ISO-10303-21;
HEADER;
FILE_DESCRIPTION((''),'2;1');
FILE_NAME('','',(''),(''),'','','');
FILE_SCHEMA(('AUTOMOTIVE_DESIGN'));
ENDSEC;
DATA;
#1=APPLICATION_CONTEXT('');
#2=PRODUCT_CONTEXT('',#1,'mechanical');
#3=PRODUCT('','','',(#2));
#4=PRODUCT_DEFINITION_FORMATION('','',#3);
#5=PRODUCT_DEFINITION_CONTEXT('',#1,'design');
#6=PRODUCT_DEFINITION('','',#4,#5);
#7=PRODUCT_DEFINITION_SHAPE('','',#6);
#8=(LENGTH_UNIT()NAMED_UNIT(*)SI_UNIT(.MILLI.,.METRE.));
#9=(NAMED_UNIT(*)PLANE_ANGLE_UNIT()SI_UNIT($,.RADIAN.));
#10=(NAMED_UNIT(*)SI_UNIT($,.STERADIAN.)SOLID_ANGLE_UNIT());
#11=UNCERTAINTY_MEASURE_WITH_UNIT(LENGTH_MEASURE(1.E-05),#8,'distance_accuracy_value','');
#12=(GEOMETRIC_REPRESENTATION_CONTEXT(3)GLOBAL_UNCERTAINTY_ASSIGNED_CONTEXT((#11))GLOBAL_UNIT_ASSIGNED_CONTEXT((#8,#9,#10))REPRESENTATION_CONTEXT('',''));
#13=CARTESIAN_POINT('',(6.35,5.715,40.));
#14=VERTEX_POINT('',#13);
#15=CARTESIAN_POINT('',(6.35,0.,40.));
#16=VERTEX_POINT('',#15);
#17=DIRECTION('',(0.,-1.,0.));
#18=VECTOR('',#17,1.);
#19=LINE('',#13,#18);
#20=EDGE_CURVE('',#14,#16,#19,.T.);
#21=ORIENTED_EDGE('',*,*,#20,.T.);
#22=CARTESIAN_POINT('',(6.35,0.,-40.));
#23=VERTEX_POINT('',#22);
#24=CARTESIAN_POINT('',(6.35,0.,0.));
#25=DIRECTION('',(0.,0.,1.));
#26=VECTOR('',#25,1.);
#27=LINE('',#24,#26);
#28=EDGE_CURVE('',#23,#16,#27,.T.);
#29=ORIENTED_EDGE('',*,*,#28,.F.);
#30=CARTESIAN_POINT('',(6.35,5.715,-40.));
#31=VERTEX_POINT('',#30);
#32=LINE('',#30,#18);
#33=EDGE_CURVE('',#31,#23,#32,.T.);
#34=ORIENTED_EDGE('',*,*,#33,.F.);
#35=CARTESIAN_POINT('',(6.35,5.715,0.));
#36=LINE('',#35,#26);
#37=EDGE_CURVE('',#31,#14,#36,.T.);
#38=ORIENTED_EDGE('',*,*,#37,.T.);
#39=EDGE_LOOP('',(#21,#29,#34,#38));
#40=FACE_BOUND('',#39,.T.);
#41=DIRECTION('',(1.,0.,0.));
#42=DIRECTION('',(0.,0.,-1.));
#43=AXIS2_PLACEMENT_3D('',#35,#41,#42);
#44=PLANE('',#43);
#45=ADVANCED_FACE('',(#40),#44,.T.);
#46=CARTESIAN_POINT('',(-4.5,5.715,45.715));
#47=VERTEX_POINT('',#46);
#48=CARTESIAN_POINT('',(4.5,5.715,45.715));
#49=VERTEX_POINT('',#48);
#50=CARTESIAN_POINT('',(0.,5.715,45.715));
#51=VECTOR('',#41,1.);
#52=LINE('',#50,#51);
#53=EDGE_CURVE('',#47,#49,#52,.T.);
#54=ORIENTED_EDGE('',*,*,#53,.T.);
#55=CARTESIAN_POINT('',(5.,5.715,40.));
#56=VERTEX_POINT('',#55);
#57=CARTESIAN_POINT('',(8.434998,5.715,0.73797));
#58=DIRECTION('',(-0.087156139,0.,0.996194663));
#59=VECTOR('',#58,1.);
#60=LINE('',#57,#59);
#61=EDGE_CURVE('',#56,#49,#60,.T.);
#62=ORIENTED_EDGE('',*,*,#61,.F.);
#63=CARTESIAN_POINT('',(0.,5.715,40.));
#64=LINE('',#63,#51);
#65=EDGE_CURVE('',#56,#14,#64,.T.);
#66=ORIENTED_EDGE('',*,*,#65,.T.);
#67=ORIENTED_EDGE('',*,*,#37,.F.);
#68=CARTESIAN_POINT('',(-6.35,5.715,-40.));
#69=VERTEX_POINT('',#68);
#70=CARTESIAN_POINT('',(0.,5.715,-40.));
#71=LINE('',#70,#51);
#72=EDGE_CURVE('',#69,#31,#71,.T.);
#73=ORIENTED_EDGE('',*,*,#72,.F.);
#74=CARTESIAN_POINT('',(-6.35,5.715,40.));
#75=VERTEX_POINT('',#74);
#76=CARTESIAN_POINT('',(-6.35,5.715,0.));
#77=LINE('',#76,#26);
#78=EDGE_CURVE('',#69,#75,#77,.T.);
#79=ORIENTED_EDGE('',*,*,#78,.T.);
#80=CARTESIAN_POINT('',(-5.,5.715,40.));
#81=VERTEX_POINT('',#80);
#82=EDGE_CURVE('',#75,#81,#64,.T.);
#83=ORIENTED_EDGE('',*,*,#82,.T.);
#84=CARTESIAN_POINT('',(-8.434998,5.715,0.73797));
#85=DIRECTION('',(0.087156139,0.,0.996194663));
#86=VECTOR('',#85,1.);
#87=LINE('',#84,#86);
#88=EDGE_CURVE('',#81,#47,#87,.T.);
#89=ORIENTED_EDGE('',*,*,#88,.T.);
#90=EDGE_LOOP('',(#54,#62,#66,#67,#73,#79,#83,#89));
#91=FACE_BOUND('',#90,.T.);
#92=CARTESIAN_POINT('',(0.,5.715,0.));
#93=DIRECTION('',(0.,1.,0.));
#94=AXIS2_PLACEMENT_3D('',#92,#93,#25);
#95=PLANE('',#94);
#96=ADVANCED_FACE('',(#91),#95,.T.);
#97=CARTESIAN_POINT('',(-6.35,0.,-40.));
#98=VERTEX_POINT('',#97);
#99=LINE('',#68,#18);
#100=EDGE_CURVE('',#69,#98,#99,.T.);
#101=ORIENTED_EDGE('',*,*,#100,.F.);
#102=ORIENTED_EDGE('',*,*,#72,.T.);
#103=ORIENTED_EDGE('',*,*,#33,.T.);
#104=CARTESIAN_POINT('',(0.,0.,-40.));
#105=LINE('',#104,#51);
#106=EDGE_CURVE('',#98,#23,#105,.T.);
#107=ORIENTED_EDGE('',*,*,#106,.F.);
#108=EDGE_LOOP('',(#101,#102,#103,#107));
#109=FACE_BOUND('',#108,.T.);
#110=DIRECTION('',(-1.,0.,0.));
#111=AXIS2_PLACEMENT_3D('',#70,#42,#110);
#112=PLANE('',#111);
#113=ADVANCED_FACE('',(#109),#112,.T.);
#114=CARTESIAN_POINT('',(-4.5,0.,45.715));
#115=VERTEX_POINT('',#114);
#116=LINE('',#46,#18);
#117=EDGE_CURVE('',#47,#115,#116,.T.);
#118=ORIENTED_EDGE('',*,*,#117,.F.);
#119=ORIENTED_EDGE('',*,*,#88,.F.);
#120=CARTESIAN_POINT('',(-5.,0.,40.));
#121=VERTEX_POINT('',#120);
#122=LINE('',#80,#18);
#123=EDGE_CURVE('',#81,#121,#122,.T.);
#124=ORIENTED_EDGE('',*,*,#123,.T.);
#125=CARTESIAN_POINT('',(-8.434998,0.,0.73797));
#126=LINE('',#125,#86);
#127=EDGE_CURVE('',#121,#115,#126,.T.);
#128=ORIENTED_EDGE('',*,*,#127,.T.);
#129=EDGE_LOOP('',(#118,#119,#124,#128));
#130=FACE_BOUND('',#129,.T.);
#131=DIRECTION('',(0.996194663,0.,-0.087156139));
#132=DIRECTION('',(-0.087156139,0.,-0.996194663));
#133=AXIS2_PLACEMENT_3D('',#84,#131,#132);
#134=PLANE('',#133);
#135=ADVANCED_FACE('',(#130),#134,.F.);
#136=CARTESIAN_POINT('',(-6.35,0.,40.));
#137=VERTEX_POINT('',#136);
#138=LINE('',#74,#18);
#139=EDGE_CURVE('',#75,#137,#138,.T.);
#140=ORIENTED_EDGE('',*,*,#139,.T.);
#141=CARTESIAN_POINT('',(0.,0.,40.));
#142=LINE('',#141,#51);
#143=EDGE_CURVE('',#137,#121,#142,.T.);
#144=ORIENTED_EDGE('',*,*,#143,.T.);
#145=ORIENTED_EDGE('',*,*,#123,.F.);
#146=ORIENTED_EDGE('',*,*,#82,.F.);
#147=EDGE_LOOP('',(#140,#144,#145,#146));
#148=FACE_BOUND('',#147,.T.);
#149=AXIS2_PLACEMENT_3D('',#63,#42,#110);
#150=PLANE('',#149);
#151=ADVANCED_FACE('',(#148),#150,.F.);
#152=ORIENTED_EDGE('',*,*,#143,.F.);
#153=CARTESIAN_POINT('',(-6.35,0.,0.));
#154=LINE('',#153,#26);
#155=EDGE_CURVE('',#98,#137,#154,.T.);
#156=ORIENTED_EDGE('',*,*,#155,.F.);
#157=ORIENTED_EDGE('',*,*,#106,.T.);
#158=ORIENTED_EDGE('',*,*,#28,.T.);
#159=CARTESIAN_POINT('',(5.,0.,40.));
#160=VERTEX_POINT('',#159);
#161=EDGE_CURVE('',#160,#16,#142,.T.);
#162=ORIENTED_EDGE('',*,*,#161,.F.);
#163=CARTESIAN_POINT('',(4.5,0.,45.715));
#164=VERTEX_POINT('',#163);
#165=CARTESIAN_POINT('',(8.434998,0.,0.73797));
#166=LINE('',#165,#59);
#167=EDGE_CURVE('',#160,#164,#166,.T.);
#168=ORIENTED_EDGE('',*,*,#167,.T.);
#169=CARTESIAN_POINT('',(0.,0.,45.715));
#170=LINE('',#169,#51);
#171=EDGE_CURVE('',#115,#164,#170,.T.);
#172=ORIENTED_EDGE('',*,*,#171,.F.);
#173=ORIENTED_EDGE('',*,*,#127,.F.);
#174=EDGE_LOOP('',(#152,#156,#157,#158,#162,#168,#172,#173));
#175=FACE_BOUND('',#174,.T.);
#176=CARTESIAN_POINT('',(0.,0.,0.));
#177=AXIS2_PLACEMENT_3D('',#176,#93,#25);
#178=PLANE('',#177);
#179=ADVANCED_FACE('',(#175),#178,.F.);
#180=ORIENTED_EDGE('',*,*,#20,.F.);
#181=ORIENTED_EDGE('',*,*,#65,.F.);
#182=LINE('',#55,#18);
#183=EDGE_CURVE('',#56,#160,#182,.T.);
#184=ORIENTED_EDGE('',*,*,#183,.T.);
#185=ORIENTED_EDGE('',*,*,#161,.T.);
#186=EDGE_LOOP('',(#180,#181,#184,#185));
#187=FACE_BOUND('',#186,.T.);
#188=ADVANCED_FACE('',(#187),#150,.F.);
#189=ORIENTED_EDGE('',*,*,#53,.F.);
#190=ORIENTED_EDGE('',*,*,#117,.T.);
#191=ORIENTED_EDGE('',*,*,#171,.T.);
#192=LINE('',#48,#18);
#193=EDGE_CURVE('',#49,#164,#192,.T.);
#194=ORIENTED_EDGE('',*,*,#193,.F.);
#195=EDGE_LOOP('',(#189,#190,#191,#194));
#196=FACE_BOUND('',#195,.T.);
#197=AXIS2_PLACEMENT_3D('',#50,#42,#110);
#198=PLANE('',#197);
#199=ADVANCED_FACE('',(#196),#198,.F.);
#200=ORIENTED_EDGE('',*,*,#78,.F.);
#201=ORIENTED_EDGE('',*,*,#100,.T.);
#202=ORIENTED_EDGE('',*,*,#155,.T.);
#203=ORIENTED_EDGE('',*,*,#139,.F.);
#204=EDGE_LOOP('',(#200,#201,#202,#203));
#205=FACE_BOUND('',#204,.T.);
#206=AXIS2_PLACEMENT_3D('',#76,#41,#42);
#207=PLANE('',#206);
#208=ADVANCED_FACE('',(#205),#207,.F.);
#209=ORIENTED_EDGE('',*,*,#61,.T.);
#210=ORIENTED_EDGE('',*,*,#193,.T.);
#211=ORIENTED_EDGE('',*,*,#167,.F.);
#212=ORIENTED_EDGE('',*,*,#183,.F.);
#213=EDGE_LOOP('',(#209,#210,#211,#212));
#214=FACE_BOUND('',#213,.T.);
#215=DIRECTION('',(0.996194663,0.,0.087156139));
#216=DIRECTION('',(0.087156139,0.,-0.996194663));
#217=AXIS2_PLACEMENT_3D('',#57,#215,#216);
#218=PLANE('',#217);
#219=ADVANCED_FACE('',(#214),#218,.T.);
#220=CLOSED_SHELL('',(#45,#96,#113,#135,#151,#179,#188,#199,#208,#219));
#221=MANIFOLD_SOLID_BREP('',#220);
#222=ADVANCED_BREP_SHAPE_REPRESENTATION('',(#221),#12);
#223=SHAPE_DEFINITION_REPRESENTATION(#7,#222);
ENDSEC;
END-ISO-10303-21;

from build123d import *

# Parameters (mm, degrees)
SKETCH1_W           = 12.7
SKETCH1_H           = 80
BOSS_EXTRUDE1_DEPTH = 5.715


with BuildPart() as part:
    # Sketch1 → Boss-Extrude1 (new body)
    with BuildSketch(Plane(origin=(0, 0, 0), x_dir=(1, 0, 0), z_dir=(0, 1, 0))):
        Rectangle(SKETCH1_W, SKETCH1_H)
        Polygon((5, -40), (-5, -40), (-4.5, -45.715), (4.5, -45.715), align=None)
    extrude(amount=BOSS_EXTRUDE1_DEPTH)


solid = part.part
